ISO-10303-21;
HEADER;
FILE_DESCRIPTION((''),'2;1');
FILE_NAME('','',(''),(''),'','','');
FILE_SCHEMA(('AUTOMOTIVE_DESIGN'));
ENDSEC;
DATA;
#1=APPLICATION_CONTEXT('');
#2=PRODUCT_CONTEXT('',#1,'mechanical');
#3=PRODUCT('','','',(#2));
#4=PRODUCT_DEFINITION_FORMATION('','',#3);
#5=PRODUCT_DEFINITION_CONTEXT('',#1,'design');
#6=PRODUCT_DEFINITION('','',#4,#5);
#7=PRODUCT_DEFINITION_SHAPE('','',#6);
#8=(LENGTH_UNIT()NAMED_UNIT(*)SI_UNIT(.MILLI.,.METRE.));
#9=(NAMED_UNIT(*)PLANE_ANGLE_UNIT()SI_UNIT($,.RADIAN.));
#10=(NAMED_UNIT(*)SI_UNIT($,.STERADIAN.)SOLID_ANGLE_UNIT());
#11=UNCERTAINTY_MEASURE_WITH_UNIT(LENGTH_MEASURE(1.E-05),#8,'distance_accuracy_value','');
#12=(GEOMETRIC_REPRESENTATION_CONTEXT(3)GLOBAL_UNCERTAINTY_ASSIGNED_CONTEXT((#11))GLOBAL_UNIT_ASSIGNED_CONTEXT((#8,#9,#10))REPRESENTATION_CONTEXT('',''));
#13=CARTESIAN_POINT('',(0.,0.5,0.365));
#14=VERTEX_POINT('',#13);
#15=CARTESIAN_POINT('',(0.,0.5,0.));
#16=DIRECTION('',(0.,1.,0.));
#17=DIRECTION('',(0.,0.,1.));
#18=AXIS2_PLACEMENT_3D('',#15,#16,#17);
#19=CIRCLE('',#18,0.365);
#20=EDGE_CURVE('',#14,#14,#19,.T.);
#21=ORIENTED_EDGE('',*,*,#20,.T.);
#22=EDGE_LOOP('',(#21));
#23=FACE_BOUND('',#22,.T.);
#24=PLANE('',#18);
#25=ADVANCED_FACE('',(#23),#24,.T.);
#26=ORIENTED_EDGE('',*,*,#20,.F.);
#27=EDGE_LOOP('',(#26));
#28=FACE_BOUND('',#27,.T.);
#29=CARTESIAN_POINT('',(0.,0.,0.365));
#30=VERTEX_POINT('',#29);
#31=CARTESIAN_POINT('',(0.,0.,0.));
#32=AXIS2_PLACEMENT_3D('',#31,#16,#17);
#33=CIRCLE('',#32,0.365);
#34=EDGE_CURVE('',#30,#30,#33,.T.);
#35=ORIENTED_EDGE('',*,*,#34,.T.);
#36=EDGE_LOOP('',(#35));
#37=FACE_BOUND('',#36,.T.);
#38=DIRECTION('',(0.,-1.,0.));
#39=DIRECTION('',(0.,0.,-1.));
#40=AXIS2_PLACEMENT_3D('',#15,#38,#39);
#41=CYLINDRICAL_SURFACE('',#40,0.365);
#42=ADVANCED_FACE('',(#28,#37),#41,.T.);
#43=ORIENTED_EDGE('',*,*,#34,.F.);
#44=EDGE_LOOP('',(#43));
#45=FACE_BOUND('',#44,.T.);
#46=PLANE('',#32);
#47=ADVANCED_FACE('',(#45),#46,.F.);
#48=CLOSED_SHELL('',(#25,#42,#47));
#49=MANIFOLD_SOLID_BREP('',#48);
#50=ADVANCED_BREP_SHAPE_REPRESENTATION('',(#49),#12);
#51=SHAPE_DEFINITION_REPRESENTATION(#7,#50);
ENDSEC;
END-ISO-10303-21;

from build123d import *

# Parameters (mm, degrees)
SKETCH1_R           = 0.365
BOSS_EXTRUDE1_DEPTH = 0.5


with BuildPart() as part:
    # Sketch1 → Boss-Extrude1 (new body)
    with BuildSketch(Plane(origin=(0, 0, 0), x_dir=(1, 0, 0), z_dir=(0, 1, 0))):
        Circle(SKETCH1_R)
    extrude(amount=BOSS_EXTRUDE1_DEPTH)


solid = part.part
